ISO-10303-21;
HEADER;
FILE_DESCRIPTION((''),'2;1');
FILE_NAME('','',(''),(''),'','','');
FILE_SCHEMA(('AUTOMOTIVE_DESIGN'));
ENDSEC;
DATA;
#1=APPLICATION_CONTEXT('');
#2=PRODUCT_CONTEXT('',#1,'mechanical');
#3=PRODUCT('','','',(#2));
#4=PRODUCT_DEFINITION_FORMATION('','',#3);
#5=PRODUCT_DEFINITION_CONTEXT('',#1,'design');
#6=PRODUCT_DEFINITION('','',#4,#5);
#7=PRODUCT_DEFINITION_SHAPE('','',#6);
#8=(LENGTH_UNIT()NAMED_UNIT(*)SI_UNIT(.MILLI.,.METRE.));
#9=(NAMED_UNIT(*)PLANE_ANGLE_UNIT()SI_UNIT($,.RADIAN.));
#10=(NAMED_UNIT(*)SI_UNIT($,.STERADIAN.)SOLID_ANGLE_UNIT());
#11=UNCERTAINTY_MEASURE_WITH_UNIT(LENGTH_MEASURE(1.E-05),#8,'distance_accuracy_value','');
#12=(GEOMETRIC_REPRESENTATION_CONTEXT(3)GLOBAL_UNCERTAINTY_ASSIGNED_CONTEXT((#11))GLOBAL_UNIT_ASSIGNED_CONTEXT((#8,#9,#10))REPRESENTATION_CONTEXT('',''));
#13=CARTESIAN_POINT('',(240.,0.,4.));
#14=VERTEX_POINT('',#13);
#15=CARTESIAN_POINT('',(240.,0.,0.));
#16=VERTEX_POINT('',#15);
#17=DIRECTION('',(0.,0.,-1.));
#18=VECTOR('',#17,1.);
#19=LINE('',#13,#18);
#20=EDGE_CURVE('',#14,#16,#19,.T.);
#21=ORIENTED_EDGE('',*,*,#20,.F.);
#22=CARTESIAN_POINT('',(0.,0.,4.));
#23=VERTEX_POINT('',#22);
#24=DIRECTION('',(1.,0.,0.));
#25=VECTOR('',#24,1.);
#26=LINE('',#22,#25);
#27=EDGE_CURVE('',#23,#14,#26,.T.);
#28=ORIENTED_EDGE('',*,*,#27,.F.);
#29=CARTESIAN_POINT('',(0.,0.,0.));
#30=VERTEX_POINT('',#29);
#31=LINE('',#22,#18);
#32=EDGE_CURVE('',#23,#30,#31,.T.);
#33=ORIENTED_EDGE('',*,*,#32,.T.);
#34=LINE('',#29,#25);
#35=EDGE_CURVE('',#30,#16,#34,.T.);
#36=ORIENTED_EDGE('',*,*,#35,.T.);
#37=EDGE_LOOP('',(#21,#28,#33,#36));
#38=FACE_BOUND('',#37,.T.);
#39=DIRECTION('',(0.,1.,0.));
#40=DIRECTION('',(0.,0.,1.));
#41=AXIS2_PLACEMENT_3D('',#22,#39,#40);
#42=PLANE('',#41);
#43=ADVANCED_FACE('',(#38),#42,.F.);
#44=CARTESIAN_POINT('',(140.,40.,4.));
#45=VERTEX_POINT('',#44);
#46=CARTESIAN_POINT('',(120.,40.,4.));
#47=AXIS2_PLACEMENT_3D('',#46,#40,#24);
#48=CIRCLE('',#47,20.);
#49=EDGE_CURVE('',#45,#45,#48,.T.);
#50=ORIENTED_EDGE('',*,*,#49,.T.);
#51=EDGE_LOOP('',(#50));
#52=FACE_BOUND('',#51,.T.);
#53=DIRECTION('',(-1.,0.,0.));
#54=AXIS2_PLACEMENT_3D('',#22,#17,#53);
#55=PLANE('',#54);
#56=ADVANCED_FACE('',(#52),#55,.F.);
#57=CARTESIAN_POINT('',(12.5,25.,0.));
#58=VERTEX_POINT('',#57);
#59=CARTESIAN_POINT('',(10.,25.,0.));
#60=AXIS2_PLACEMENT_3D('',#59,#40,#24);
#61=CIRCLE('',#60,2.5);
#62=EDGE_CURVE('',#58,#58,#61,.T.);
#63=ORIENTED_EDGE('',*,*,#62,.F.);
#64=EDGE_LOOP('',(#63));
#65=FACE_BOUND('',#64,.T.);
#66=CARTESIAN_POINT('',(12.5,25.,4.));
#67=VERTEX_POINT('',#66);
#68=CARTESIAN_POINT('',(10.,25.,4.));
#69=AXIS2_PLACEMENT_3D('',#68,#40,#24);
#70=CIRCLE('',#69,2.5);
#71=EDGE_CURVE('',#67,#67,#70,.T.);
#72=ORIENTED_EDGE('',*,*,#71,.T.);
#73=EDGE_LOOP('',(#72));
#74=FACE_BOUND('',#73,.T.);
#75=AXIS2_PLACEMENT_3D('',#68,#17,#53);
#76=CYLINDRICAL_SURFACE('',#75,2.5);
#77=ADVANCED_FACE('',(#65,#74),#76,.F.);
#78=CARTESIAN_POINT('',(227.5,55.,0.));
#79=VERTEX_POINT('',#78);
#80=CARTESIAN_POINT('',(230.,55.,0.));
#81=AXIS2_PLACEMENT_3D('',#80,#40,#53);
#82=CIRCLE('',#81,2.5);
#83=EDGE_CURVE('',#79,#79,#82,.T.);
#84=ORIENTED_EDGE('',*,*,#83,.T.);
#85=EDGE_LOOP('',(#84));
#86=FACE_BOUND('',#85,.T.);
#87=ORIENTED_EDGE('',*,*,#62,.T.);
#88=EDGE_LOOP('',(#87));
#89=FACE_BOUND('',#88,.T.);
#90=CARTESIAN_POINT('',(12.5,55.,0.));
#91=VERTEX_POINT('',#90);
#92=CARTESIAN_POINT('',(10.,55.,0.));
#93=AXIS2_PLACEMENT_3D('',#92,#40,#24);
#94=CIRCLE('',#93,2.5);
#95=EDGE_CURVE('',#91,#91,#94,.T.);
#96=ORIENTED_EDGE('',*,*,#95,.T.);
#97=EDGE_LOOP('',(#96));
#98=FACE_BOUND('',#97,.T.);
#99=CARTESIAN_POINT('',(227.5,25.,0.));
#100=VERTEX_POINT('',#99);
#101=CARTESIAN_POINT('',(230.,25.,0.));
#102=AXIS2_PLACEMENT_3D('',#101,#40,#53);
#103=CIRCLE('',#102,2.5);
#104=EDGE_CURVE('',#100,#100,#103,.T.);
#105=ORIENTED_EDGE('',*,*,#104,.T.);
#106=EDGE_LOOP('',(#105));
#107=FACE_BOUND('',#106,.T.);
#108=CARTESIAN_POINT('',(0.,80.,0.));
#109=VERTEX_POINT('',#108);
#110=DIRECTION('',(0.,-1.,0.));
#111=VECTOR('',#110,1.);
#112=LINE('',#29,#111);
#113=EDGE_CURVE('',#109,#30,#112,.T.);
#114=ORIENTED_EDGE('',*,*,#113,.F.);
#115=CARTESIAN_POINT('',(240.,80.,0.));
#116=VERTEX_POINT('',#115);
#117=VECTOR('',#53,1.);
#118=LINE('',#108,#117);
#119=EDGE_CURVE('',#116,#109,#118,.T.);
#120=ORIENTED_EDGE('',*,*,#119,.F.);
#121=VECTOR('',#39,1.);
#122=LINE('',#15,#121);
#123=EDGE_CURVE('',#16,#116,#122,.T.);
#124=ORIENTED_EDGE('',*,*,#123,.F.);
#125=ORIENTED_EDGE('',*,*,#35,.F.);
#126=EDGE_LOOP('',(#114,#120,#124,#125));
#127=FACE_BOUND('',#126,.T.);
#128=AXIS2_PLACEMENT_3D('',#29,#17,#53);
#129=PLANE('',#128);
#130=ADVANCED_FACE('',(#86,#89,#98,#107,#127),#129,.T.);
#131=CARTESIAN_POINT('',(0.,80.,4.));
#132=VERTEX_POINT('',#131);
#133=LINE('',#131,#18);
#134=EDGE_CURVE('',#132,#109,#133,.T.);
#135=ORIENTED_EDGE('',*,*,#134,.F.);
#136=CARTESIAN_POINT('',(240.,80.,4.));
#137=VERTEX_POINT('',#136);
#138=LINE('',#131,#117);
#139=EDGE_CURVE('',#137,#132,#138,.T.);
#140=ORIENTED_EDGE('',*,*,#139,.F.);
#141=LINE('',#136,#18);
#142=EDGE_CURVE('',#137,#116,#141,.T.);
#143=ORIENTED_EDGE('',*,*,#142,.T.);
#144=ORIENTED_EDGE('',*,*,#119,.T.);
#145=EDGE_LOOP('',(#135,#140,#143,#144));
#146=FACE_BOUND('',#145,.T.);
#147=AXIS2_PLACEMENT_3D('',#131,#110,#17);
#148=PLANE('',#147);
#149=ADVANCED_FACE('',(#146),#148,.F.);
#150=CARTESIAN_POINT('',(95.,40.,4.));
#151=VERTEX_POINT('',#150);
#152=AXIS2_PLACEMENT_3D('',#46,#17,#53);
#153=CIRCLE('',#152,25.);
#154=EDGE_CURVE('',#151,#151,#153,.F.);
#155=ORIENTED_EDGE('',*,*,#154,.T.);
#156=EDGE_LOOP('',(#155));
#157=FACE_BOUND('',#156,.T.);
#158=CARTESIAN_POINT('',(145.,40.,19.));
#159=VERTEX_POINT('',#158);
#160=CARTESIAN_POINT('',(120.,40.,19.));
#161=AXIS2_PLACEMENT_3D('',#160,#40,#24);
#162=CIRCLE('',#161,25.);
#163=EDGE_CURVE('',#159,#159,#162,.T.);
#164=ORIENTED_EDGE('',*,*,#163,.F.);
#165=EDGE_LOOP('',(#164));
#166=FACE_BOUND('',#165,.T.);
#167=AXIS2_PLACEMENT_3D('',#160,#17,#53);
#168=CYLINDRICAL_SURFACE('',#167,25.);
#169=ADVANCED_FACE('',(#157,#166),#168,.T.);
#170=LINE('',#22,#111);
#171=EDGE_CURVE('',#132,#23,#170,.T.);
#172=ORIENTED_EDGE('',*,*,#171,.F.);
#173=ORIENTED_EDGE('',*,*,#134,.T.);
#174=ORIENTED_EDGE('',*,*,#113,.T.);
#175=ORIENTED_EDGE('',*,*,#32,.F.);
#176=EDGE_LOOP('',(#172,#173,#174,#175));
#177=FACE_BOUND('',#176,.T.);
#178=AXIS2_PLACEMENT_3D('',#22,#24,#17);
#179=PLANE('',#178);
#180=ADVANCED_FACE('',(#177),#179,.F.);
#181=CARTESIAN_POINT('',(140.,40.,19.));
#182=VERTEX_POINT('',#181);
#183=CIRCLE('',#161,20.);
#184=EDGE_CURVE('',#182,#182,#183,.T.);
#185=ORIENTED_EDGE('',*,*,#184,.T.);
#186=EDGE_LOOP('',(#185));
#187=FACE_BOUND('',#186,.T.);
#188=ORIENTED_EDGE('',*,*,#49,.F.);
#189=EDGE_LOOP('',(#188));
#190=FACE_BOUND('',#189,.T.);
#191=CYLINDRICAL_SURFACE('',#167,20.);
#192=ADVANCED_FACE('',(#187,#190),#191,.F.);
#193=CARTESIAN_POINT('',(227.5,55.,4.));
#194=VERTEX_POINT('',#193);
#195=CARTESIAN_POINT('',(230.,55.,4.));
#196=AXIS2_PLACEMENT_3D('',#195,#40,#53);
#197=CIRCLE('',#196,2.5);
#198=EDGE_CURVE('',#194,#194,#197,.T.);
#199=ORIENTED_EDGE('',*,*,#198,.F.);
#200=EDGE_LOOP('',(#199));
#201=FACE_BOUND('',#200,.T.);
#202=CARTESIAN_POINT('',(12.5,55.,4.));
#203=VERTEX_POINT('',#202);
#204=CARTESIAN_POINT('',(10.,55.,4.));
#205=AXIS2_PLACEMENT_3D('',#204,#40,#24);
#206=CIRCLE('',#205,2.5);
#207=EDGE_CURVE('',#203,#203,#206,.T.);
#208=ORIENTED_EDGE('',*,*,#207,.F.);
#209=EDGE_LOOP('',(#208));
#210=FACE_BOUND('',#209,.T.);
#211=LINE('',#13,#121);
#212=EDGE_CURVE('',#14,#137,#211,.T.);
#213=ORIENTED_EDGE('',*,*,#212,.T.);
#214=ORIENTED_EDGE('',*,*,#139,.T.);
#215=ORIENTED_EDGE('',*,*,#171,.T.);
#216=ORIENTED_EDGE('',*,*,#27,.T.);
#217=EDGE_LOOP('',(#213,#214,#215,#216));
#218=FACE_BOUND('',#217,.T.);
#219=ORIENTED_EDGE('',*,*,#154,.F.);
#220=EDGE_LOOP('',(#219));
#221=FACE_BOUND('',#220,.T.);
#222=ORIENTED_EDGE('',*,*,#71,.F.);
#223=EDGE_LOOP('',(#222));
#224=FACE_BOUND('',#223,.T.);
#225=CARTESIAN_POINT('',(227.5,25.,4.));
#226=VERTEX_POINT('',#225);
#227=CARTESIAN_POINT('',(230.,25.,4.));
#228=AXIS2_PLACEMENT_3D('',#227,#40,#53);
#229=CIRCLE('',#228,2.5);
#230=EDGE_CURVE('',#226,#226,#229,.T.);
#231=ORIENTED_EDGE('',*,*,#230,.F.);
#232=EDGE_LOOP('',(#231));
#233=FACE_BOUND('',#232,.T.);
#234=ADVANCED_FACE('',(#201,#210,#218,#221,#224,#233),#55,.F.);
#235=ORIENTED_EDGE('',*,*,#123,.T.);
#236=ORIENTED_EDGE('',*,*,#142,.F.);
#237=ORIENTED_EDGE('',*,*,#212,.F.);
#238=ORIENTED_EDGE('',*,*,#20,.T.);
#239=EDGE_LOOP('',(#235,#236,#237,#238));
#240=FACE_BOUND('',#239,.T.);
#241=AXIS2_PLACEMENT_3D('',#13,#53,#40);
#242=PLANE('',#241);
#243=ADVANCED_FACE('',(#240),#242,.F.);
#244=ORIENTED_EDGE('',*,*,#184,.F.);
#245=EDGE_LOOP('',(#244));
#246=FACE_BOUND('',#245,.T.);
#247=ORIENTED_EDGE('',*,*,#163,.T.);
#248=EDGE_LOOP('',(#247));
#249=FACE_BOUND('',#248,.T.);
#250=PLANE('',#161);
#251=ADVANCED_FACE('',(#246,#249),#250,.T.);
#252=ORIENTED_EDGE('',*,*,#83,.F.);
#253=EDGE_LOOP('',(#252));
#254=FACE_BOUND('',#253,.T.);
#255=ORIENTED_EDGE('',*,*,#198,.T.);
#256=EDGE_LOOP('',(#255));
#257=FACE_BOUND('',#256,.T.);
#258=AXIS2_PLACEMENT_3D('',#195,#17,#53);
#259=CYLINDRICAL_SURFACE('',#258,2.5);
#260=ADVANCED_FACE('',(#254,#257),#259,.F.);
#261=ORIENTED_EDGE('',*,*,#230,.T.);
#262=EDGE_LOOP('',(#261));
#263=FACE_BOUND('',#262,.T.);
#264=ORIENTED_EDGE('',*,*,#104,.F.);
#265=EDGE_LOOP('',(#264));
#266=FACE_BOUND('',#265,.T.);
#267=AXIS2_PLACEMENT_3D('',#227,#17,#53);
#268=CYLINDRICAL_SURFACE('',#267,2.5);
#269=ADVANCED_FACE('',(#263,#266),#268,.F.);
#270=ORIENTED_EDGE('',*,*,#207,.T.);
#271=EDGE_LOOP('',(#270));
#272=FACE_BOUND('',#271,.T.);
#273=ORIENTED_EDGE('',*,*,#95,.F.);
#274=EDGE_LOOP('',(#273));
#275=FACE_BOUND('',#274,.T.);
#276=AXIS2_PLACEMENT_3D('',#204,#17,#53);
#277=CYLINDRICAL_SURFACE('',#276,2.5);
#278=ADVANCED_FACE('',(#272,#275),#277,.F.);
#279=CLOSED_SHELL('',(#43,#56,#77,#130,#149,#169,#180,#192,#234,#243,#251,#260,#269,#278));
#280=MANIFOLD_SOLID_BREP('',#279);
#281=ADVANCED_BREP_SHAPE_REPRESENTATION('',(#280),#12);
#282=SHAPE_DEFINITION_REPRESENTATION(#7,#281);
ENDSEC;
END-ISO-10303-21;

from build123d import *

# Parameters (mm, degrees)
ESQUISSE1_W        = 240
ESQUISSE1_H        = 80
ESQUISSE1_R        = 2.5
BOSS_EXTRU_1_DEPTH = 4
ESQUISSE2_R        = 25
ESQUISSE2_R_2      = 20
BOSS_EXTRU_2_DEPTH = 15


with BuildPart() as part:
    # Esquisse1 → Boss.-Extru.1 (new body)
    with BuildSketch(Plane.XY):
        with Locations((120, 40)):
            Rectangle(ESQUISSE1_W, ESQUISSE1_H)
        with Locations((10, 55)):
            Circle(ESQUISSE1_R, mode=Mode.SUBTRACT)
        with Locations((10, 25)):
            Circle(ESQUISSE1_R, mode=Mode.SUBTRACT)
        with Locations(Location((230, 25, 0), (0, 0, 180))):
            Circle(ESQUISSE1_R, mode=Mode.SUBTRACT)
        with Locations(Location((230, 55, 0), (0, 0, 180))):
            Circle(ESQUISSE1_R, mode=Mode.SUBTRACT)
    extrude(amount=BOSS_EXTRU_1_DEPTH)

    # Esquisse2 → Boss.-Extru.2 (add)
    with BuildSketch(Plane.XY.offset(4)):
        with Locations(Location((120, 40, 0), (0, 0, 180))):
            Circle(ESQUISSE2_R)
        with Locations((120, 40)):
            Circle(ESQUISSE2_R_2, mode=Mode.SUBTRACT)
    extrude(amount=BOSS_EXTRU_2_DEPTH)


solid = part.part
